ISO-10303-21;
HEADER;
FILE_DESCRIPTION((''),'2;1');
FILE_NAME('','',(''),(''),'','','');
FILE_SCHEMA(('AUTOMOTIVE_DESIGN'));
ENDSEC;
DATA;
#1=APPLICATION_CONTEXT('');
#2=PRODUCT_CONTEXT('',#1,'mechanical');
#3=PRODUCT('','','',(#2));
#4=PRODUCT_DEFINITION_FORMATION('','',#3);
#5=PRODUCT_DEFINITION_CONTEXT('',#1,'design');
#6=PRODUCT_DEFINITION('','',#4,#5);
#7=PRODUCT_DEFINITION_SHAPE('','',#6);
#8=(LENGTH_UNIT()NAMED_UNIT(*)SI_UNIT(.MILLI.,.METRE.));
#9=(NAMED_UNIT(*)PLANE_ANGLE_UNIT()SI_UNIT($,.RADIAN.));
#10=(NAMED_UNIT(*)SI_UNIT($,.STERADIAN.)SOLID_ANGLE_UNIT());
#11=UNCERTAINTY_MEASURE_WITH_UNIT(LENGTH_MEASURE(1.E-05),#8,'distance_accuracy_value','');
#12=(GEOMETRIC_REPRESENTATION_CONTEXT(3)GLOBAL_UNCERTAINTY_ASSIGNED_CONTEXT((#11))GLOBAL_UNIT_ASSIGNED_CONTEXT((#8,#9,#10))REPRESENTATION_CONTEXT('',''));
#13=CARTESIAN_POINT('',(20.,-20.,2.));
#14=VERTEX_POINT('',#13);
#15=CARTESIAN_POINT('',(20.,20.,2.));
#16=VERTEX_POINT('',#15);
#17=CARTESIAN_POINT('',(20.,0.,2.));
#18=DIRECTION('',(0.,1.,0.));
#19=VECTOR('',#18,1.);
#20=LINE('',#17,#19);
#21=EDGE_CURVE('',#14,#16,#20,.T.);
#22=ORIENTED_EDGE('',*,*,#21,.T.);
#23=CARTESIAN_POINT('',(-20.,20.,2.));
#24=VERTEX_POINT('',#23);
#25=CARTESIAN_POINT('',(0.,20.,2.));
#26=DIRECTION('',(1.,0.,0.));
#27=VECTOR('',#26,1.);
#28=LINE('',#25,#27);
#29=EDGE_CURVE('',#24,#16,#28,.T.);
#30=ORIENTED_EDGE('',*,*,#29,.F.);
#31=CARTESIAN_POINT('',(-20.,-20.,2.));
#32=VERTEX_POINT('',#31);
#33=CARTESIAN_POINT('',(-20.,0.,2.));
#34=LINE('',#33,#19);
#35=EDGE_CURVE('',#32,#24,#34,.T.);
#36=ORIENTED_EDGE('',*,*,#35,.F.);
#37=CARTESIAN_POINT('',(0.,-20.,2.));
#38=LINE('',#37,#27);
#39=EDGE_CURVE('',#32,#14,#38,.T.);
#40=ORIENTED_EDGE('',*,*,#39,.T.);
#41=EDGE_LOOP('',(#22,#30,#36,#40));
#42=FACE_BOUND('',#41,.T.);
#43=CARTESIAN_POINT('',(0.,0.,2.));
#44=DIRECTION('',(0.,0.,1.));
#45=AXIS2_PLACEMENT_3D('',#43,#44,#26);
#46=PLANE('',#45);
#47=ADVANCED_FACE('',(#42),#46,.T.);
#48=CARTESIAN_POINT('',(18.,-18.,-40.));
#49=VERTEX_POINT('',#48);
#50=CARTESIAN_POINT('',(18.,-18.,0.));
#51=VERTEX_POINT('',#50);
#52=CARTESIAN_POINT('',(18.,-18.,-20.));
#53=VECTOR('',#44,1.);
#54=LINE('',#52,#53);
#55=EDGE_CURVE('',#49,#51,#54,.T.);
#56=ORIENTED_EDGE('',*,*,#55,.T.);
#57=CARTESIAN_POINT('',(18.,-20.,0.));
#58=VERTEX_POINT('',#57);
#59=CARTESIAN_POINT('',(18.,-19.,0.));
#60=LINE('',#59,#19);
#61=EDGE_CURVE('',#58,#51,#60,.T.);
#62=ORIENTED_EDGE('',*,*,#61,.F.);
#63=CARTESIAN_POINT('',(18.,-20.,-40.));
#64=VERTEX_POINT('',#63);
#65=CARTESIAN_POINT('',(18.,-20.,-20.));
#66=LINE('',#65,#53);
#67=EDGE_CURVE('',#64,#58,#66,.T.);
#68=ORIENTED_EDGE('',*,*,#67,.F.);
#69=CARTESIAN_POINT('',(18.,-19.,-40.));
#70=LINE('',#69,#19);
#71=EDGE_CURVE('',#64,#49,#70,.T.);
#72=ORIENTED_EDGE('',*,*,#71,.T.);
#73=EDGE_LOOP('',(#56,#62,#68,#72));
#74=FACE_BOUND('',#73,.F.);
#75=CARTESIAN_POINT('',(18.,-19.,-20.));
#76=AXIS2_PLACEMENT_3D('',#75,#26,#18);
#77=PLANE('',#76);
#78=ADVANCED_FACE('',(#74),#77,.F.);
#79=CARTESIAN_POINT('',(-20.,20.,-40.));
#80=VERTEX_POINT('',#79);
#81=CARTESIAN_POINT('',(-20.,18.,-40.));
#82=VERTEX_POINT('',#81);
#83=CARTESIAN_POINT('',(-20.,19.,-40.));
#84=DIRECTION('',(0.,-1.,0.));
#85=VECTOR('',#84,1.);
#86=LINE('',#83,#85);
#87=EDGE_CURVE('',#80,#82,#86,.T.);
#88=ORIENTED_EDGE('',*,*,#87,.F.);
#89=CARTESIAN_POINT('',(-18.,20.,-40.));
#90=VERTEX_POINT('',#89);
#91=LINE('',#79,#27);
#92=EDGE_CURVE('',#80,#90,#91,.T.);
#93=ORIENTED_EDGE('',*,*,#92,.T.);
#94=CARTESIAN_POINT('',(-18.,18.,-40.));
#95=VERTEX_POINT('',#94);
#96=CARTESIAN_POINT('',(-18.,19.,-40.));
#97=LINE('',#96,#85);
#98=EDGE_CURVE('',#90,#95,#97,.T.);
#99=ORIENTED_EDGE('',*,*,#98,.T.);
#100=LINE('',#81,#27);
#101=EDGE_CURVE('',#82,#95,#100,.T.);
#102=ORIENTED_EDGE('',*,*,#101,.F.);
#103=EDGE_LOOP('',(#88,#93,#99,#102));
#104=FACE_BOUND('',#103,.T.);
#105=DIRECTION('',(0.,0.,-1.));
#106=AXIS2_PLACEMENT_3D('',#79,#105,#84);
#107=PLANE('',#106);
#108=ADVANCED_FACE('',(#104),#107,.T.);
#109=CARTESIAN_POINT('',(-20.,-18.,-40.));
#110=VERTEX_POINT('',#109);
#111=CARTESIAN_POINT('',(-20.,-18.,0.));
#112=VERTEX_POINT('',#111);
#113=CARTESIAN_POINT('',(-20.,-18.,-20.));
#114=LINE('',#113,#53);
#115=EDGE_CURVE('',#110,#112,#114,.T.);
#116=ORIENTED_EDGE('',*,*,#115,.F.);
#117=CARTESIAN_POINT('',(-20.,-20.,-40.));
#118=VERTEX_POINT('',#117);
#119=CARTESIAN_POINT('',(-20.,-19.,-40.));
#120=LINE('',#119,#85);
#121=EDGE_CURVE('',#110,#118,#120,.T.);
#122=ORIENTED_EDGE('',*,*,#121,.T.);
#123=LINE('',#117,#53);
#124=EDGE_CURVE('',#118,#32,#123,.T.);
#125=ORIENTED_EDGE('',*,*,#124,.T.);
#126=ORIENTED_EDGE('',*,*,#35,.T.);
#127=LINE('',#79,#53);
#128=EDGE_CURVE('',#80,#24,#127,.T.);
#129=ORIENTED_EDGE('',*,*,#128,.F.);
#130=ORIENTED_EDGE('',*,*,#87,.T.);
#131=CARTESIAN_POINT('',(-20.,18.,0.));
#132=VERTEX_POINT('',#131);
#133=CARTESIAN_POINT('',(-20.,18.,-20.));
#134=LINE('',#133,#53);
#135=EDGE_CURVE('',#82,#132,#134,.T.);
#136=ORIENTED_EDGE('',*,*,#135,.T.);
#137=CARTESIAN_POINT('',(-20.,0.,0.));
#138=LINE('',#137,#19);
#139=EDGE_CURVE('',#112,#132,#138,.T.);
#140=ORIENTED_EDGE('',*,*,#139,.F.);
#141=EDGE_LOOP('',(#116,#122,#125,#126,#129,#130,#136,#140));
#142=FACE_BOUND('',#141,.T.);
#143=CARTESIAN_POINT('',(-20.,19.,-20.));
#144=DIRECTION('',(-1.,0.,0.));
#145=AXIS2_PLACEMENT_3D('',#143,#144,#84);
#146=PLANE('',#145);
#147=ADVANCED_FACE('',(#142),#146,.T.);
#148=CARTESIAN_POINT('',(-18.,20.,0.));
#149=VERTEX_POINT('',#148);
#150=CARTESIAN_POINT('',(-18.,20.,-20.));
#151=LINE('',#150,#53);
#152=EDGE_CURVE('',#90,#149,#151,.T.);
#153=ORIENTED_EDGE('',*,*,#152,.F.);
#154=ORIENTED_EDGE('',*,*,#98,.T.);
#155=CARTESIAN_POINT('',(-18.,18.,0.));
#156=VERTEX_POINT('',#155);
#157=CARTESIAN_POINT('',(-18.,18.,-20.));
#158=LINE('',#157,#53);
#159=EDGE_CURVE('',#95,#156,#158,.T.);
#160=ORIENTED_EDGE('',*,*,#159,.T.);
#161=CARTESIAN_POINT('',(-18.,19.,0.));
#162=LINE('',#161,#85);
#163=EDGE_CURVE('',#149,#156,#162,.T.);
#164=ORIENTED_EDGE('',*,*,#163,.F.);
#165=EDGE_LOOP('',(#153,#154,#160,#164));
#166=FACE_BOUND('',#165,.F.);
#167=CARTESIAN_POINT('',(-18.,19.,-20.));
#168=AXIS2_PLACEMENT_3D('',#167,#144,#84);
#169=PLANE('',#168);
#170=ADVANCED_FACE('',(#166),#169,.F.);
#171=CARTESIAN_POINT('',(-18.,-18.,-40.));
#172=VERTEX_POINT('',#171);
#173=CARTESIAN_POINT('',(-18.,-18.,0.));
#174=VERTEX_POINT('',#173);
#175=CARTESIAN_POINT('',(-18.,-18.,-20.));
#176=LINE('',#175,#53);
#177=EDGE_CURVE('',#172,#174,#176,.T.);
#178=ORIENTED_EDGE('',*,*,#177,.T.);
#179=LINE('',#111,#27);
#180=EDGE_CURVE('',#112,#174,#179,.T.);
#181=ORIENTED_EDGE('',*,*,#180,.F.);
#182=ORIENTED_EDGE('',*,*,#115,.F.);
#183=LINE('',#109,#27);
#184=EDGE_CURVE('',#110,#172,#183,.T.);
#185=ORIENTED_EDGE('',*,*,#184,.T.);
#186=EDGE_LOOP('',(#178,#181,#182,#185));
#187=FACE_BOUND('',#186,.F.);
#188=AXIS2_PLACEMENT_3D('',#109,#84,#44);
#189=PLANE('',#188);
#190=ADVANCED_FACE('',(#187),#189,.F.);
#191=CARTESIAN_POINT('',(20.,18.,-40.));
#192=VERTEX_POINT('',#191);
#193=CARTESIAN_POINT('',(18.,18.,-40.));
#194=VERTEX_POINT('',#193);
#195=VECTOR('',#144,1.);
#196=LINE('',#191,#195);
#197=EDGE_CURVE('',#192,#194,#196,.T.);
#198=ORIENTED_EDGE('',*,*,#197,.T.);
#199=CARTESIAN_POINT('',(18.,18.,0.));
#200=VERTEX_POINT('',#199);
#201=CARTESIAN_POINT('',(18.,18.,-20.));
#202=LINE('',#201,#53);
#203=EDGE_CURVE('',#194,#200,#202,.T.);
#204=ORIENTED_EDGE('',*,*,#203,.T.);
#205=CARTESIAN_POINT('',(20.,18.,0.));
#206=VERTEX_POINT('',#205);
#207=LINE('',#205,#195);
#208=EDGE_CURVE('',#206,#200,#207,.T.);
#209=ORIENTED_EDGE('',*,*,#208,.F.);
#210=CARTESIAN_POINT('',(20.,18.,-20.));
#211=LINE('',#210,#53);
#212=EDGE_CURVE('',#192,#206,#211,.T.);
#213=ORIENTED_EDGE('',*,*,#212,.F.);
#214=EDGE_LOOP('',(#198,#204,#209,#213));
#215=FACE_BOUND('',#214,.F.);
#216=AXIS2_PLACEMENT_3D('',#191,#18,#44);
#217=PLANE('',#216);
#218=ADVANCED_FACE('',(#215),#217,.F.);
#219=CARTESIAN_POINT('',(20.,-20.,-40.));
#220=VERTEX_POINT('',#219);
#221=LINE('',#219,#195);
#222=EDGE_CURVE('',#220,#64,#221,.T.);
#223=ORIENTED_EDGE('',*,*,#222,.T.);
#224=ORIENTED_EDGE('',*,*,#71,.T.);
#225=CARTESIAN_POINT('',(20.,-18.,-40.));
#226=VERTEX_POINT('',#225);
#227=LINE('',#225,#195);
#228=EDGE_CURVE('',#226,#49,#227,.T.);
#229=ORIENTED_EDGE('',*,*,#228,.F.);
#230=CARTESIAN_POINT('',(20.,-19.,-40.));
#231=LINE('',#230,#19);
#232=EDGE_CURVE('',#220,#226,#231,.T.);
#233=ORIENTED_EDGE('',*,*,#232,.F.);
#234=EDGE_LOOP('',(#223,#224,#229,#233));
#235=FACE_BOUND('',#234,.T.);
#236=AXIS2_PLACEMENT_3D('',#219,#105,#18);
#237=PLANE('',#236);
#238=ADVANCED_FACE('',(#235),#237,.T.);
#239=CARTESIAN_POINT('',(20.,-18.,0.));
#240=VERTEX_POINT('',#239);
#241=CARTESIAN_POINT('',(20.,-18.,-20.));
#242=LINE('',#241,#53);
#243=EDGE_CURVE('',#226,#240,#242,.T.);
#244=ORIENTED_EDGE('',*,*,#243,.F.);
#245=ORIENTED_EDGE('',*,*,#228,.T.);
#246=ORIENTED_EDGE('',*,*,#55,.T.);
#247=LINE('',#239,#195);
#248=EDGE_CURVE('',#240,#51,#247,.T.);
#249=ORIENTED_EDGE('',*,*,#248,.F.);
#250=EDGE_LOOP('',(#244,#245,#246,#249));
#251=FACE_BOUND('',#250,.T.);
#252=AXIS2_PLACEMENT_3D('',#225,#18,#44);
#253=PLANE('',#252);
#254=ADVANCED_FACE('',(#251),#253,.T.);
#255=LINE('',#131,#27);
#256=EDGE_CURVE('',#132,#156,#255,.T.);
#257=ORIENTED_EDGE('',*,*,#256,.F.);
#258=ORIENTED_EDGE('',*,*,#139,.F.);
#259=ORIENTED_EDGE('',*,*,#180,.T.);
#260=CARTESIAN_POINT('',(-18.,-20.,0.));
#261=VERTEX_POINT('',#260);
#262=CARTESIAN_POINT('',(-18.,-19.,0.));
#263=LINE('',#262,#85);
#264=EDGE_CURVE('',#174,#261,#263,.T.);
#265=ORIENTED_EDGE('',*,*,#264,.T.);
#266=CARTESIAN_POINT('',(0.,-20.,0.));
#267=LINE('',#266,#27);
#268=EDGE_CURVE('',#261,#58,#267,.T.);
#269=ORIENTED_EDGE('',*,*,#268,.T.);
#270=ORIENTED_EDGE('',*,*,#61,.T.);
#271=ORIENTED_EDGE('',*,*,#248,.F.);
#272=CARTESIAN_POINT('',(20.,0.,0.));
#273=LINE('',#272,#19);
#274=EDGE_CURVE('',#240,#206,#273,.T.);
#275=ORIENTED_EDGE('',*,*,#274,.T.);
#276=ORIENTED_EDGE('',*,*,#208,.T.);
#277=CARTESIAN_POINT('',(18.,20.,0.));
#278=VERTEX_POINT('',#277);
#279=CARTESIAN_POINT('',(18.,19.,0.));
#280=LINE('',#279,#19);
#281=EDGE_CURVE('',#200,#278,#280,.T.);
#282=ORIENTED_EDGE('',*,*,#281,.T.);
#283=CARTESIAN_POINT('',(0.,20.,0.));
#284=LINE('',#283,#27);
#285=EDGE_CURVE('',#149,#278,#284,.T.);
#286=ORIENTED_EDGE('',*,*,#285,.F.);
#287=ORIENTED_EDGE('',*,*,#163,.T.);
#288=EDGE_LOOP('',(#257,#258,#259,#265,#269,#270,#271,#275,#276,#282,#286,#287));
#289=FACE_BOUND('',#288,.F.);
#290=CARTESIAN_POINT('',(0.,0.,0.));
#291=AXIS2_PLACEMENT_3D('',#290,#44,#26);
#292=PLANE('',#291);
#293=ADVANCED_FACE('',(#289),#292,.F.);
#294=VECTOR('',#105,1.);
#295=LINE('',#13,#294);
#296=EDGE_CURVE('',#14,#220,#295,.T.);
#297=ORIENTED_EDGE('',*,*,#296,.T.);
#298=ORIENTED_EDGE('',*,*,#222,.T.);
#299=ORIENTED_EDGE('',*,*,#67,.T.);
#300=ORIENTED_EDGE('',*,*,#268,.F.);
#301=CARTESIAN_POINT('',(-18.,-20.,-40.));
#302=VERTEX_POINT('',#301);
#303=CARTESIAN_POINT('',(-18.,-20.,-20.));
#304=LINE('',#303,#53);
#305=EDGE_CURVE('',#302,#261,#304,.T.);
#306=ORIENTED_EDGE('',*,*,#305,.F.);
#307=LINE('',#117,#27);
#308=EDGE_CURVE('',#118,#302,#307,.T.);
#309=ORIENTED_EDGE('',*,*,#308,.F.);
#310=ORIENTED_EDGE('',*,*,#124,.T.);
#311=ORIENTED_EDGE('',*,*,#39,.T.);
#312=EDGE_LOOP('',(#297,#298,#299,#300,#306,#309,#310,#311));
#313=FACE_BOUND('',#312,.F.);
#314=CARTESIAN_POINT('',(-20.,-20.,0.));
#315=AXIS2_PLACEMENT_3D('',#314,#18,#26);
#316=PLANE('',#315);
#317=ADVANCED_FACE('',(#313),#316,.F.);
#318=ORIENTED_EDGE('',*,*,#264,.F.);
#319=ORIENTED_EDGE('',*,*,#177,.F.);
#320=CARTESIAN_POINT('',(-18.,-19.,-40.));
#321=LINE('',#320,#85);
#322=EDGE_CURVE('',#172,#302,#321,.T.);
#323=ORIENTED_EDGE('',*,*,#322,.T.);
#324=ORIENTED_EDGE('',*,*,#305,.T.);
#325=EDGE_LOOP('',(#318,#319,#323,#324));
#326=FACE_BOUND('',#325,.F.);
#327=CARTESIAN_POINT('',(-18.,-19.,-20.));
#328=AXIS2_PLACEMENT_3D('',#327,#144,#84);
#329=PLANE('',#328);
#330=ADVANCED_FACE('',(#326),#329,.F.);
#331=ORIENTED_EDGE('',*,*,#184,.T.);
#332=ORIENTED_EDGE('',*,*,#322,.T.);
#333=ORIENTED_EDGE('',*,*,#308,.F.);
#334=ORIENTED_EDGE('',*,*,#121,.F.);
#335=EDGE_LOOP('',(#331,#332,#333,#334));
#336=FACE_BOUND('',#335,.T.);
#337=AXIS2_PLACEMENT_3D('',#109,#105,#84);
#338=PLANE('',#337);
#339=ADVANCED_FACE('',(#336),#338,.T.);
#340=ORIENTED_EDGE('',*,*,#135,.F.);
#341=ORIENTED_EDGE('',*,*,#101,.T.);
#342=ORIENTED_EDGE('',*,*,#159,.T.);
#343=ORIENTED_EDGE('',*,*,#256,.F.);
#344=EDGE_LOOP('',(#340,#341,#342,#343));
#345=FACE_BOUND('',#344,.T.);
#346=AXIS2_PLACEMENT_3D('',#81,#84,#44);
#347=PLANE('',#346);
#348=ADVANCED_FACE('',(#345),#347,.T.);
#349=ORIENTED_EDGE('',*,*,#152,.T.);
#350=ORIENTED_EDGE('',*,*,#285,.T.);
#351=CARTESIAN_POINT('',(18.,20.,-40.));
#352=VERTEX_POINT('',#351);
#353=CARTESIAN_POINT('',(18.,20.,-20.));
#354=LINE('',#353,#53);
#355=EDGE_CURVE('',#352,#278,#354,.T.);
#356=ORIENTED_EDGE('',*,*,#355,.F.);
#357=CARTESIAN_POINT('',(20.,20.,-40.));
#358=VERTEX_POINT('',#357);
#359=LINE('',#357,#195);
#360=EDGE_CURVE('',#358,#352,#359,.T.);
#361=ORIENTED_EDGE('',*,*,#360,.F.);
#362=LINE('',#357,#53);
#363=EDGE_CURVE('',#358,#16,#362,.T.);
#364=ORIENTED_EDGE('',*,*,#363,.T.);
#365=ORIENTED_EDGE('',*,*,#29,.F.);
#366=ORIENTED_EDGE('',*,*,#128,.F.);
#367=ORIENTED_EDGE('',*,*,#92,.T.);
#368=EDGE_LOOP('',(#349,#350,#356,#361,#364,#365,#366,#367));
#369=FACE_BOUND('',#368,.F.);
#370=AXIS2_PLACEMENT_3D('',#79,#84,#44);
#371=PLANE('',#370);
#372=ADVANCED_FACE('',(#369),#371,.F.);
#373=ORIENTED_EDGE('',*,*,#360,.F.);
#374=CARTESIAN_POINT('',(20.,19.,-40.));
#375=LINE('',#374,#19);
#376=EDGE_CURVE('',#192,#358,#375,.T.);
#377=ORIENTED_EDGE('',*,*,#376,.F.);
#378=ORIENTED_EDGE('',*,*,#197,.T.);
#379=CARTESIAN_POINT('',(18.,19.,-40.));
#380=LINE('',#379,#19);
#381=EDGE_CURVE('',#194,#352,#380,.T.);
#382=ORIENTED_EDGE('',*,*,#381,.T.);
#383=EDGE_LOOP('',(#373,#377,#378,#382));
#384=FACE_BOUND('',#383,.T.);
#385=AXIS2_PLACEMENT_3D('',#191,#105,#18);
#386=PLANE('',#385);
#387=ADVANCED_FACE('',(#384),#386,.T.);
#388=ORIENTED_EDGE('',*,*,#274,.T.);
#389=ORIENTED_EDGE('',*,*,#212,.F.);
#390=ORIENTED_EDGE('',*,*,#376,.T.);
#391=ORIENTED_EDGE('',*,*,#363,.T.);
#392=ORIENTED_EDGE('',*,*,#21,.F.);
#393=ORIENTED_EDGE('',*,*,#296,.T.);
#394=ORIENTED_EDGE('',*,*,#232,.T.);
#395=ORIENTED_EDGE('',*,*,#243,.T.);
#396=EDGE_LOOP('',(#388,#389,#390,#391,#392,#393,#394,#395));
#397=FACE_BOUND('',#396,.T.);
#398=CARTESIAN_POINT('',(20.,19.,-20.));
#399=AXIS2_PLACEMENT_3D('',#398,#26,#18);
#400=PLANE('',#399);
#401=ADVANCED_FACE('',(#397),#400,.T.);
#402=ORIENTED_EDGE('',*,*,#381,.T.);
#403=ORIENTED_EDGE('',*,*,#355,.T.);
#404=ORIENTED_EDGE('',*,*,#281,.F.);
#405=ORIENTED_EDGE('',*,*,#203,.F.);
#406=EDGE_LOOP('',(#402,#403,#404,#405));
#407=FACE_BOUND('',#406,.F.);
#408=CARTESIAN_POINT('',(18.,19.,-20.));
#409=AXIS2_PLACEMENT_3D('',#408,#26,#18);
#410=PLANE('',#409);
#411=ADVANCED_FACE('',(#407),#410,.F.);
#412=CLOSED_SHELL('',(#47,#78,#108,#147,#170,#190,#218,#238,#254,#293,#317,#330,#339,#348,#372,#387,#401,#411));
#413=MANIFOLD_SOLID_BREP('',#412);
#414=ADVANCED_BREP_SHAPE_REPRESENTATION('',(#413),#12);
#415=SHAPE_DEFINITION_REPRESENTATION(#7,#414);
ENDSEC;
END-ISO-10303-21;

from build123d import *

# Parameters (mm, degrees)
F0_W     = 40
F0_H     = 40
F1_DEPTH = 2
F2_W     = 2
F2_H     = 40
F3_DEPTH = 2
F4_W     = 2
F4_H     = 40
F5_DEPTH = 2


with BuildPart() as f1:
    # F0 (on Top) → F1 (new body)
    with BuildSketch(Plane.XY):
        Rectangle(F0_W, F0_H)
    extrude(amount=F1_DEPTH)

    # F2 (on face) → F3 (join)
    with BuildSketch(Plane.YZ.offset(20)):
        with Locations((19, -20)):
            Rectangle(F2_W, F2_H)
        with Locations((-19, -20)):
            Rectangle(F2_W, F2_H)
    extrude(amount=-F3_DEPTH)

    # F4 (on face) → F5 (join)
    with BuildSketch(Plane(origin=(-20, 0, 0), x_dir=(0, -1, 0), z_dir=(-1, 0, 0))):
        with Locations((-19, -20)):
            Rectangle(F4_W, F4_H)
        with Locations((19, -20)):
            Rectangle(F4_W, F4_H)
    extrude(amount=-F5_DEPTH)


solid = f1.part
